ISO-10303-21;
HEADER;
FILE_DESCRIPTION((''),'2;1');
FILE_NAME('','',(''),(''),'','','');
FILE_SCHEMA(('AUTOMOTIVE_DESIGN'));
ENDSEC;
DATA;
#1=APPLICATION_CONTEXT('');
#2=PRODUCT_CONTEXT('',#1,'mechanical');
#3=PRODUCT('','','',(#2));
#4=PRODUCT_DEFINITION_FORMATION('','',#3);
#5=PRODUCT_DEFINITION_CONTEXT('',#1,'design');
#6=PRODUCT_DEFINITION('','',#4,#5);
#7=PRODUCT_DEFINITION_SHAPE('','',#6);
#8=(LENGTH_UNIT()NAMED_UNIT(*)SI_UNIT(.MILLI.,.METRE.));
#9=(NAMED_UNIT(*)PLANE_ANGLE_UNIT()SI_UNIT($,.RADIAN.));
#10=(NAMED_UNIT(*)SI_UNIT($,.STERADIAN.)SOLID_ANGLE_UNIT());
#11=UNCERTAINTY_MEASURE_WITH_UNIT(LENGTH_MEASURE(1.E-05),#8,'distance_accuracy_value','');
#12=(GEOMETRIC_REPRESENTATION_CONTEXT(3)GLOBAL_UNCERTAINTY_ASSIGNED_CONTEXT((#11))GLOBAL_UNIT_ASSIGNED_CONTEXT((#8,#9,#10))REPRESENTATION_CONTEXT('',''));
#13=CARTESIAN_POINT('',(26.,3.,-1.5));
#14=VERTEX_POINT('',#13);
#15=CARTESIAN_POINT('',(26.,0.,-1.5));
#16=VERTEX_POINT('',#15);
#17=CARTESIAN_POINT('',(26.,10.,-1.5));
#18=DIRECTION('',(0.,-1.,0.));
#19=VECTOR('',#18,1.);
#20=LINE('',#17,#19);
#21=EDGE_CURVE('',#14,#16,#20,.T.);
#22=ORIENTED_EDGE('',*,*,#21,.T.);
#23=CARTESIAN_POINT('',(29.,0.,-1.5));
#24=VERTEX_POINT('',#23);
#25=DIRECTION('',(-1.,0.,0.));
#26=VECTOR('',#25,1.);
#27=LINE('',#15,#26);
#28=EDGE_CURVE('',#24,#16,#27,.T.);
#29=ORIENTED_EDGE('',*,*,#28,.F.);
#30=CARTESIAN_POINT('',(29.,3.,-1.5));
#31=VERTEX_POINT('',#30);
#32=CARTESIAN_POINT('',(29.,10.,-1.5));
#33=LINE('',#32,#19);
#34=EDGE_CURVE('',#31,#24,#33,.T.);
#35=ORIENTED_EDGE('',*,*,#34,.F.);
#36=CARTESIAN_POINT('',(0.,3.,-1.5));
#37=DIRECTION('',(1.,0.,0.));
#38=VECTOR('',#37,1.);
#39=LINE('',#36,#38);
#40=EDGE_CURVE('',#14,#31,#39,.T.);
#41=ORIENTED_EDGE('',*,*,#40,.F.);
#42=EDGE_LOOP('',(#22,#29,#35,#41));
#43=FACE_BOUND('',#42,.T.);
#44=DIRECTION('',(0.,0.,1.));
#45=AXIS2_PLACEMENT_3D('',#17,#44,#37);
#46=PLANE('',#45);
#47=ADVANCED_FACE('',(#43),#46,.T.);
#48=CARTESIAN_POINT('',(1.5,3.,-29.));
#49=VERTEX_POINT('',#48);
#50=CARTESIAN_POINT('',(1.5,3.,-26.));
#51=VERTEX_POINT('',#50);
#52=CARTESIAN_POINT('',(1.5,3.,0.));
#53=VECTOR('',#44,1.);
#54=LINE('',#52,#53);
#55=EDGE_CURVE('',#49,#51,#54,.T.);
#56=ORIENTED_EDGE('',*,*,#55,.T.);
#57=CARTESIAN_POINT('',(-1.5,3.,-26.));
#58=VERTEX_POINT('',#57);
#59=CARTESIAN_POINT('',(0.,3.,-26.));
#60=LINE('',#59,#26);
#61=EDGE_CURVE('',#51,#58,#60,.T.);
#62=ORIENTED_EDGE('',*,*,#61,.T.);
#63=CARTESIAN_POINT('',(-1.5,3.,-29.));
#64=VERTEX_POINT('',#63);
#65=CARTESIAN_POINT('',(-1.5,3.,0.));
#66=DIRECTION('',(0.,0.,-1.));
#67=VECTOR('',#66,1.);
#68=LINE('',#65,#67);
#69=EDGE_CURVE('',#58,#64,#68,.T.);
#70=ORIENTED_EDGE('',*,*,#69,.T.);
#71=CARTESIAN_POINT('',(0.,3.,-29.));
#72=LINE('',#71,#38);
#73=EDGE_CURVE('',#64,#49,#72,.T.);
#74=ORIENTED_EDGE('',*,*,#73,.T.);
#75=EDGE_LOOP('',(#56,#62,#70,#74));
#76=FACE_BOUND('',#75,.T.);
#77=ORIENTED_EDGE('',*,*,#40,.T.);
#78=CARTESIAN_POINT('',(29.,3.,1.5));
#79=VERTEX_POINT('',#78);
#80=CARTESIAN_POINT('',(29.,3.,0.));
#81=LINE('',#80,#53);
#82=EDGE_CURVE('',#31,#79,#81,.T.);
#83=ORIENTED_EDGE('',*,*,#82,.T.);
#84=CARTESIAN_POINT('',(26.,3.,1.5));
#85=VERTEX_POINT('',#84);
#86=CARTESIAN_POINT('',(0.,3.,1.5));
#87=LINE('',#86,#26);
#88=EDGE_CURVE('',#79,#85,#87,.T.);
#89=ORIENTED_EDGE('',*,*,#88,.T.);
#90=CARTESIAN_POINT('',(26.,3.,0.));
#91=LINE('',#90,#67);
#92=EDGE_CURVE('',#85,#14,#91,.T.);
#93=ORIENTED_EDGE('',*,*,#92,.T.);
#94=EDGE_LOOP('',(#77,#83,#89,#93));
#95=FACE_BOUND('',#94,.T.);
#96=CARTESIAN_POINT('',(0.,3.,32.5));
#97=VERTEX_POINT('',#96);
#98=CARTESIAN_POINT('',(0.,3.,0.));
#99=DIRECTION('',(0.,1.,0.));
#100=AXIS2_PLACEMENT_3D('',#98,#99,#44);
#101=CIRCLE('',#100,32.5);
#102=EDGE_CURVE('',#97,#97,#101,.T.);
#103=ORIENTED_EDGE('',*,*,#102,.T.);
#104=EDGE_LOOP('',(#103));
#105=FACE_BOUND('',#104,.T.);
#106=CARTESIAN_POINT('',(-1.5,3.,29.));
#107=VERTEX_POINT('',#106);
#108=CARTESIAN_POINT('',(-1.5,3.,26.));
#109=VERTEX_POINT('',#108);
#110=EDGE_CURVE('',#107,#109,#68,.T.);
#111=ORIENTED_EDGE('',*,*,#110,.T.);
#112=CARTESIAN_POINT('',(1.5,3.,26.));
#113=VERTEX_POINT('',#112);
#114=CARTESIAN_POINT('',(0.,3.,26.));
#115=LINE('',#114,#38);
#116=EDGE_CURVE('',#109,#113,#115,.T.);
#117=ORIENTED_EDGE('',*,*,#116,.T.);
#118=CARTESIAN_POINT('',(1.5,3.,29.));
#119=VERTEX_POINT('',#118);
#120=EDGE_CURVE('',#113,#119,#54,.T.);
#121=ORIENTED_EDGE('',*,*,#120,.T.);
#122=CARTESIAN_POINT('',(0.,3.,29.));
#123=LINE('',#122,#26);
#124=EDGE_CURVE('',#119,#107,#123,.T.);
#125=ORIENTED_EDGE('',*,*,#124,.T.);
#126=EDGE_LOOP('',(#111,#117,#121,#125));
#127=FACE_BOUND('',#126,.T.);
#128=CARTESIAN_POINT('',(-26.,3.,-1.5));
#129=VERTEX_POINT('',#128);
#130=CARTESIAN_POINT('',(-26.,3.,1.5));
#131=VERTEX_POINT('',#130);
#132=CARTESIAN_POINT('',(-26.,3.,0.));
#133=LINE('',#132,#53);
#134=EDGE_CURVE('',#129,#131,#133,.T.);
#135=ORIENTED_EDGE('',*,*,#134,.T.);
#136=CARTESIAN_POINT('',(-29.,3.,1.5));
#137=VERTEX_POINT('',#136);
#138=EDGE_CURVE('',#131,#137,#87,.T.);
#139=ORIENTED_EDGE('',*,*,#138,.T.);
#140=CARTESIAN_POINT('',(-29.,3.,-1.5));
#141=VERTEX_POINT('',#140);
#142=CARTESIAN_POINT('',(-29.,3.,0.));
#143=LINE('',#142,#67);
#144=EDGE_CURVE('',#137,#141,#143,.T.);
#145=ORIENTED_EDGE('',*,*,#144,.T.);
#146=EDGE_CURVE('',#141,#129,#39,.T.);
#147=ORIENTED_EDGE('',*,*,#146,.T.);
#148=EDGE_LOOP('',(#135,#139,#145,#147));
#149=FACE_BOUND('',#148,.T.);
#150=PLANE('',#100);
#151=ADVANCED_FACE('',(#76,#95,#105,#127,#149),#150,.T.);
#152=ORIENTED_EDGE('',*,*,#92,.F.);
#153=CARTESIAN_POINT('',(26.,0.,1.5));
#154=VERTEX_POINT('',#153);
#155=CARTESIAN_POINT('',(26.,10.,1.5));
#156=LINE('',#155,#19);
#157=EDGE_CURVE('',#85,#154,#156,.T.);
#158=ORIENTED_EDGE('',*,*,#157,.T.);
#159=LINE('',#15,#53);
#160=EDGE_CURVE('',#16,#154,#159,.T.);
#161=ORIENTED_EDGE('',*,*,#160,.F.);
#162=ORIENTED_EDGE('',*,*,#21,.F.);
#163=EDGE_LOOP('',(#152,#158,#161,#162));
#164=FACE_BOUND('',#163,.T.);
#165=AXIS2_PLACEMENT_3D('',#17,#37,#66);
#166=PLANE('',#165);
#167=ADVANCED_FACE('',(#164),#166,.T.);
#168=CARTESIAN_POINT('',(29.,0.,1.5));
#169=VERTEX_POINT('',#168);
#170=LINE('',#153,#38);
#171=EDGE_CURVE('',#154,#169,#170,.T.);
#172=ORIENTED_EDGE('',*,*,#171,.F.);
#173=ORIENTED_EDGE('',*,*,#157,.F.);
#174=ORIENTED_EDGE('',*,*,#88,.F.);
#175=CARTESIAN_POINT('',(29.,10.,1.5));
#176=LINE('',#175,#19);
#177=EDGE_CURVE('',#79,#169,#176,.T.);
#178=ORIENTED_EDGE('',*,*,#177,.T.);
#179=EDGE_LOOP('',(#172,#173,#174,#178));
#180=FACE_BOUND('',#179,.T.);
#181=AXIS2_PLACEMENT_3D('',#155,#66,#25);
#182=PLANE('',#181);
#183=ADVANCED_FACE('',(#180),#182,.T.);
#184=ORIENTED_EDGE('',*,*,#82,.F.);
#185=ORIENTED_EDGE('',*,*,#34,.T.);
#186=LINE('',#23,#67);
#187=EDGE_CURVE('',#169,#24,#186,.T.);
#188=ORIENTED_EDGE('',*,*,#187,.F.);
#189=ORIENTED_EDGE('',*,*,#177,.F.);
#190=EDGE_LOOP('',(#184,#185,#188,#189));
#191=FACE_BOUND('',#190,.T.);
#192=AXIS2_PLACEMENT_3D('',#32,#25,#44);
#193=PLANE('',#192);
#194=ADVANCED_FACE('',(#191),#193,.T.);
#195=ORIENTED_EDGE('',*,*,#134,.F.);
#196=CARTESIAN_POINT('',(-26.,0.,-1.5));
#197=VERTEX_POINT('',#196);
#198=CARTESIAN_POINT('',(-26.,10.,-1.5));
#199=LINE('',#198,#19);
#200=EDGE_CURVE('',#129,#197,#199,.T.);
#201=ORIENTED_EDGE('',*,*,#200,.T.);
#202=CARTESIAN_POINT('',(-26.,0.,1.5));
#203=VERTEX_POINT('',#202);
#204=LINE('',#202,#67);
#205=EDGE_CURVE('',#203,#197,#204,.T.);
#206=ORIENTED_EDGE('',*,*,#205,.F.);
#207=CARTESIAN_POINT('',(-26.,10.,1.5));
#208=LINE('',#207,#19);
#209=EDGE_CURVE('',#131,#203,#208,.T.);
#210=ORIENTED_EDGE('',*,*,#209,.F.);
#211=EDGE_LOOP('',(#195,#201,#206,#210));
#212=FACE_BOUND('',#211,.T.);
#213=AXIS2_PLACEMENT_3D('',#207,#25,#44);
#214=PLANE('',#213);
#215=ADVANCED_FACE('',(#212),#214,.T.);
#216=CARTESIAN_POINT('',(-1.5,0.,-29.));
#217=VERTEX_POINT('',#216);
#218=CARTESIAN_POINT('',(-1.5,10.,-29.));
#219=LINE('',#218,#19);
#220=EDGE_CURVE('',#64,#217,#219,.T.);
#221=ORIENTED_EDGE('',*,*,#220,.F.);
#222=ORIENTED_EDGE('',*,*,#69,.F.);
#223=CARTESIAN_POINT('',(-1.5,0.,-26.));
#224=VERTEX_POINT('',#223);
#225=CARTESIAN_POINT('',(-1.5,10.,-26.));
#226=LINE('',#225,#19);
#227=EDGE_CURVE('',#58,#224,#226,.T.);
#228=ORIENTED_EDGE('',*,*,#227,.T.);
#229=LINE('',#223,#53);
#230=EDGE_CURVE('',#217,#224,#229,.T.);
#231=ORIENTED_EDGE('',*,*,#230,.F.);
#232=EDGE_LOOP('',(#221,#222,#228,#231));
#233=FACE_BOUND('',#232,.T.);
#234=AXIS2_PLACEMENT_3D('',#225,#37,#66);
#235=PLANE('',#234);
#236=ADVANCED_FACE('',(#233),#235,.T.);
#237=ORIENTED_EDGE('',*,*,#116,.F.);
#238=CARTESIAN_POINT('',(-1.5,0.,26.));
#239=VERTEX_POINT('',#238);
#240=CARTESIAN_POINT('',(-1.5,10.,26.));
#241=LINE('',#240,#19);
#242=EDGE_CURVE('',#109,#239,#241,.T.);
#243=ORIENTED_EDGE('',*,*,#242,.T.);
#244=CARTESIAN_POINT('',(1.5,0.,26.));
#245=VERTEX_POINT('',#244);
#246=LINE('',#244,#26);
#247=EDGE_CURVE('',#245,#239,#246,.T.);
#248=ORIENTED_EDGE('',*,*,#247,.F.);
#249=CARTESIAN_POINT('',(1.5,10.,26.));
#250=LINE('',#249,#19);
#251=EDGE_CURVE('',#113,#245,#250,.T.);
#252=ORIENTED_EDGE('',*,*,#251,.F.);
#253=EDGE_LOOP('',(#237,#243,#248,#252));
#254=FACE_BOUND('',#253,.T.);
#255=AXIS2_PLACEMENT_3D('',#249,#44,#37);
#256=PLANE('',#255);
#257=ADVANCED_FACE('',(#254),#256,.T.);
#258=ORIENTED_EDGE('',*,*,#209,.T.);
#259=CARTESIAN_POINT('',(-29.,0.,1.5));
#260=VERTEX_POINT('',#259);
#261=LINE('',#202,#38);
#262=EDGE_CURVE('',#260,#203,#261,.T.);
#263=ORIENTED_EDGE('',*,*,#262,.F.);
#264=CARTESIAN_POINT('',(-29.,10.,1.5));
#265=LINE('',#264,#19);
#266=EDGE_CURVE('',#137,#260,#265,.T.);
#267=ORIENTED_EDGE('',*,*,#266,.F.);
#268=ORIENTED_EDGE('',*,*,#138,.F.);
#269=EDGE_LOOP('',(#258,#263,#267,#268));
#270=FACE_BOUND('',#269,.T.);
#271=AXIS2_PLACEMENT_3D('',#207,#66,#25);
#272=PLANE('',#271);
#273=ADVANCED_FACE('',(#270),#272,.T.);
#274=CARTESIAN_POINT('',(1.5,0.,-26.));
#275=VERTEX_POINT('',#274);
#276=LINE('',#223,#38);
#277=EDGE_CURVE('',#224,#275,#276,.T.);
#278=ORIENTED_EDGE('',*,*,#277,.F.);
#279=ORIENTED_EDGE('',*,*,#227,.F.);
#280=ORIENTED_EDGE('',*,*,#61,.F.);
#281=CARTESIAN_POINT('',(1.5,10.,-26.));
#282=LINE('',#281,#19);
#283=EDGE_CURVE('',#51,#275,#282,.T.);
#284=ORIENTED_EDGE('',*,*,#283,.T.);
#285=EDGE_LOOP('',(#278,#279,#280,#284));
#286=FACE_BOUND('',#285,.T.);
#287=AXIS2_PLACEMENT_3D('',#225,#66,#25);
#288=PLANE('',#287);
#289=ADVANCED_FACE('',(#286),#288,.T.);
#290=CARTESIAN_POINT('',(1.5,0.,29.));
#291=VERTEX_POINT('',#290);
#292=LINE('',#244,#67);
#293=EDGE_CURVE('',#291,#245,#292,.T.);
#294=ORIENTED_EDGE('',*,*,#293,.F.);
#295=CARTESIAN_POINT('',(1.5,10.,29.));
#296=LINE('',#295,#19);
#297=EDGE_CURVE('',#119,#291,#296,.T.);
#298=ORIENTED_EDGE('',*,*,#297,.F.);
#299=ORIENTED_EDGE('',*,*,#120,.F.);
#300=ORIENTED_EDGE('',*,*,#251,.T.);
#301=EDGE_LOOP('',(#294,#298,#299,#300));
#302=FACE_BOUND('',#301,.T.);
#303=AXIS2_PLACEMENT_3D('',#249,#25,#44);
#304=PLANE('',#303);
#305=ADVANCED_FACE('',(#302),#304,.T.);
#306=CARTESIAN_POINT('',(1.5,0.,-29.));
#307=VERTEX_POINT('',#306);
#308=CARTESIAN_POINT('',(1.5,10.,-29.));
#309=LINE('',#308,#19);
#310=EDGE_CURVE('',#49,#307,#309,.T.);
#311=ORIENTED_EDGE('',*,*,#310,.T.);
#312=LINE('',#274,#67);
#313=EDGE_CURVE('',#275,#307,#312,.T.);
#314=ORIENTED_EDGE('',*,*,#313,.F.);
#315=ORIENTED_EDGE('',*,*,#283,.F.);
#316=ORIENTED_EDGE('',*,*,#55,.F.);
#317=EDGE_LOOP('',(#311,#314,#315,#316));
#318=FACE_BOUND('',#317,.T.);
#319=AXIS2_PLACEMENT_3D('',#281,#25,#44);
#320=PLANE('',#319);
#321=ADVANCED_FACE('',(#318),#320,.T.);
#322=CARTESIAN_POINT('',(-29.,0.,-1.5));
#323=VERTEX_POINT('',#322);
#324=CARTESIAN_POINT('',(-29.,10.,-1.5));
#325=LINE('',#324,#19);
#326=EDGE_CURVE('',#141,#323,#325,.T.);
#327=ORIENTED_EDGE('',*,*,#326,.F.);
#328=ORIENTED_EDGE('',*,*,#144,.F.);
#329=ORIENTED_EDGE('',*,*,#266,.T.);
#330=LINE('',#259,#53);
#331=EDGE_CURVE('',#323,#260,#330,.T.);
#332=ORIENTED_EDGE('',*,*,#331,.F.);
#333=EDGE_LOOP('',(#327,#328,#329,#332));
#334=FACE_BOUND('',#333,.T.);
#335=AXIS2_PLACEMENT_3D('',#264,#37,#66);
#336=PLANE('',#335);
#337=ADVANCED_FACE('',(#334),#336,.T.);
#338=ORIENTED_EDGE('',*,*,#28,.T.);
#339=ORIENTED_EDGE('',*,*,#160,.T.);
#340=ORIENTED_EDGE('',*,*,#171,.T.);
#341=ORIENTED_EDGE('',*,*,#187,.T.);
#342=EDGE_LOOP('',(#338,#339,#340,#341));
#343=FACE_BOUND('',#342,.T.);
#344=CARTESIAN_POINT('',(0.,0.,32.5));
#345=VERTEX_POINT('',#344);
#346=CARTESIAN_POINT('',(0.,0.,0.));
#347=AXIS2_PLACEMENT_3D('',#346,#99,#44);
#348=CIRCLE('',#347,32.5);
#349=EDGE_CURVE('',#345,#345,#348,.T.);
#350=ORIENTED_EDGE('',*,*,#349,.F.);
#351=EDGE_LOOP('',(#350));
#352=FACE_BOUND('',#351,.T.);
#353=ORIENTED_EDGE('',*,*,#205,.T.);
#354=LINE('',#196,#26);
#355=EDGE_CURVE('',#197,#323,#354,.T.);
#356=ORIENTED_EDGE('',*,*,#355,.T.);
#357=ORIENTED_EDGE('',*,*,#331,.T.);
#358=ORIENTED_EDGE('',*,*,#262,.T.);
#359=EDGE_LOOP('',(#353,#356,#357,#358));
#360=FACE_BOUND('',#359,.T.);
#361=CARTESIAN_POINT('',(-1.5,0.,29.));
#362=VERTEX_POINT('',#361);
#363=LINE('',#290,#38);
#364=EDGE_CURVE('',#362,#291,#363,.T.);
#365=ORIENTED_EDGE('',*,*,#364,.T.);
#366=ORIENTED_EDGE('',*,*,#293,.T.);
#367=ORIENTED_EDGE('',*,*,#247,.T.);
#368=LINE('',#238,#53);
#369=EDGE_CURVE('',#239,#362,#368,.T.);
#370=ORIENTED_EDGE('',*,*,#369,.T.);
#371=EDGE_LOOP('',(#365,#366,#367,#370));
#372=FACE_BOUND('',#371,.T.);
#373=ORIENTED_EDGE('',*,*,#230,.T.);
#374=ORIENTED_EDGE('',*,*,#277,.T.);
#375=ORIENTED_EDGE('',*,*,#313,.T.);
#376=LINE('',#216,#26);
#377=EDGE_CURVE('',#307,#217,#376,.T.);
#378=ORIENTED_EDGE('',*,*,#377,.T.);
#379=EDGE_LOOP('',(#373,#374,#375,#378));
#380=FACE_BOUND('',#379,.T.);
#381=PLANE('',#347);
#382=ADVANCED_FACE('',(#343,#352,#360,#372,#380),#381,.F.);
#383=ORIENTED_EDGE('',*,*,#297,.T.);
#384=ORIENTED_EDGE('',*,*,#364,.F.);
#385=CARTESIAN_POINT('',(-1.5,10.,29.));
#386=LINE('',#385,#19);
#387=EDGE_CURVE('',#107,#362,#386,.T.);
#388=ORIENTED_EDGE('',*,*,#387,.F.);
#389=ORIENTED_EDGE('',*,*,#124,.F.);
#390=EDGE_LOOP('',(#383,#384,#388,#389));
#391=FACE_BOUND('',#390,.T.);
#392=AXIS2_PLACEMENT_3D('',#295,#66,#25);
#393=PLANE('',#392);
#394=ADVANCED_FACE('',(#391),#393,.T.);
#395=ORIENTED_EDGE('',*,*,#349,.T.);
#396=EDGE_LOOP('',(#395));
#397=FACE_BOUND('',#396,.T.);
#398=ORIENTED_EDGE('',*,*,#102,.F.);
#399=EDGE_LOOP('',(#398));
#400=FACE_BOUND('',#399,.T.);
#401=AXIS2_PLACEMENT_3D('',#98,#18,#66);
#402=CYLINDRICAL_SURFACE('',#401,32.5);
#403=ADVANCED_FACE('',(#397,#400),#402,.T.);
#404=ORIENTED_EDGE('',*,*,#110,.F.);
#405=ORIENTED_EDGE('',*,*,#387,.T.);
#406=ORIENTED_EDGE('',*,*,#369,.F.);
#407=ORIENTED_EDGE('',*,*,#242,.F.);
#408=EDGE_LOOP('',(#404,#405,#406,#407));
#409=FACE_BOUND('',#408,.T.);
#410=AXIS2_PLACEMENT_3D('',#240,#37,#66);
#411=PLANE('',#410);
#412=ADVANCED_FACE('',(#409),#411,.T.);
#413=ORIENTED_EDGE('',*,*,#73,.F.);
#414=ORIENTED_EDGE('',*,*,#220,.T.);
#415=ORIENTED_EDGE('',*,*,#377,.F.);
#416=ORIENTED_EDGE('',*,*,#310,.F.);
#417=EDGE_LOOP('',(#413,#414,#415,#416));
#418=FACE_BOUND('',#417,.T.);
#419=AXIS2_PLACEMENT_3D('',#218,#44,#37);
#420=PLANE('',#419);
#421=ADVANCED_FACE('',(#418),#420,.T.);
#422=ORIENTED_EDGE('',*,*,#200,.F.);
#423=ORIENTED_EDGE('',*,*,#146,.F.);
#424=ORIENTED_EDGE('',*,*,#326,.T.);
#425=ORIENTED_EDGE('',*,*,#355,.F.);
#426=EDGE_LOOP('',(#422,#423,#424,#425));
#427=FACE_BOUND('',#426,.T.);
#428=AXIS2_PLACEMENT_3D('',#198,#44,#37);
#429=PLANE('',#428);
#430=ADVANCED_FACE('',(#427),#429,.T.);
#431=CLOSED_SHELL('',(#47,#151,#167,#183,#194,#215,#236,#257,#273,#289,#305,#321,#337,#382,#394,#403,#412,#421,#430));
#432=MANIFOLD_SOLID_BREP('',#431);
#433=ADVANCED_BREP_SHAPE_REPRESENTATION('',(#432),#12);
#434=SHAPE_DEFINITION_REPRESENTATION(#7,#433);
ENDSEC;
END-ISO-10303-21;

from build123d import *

# Parameters (mm, degrees)
SKETCH1_R           = 32.5
BOSS_EXTRUDE1_DEPTH = 3
SKETCH3_W           = 3
SKETCH3_H           = 3
CUT_EXTRUDE4_DEPTH  = 10


with BuildPart() as part:
    # Sketch1 → Boss-Extrude1 (new body)
    with BuildSketch(Plane(origin=(0, 0, 0), x_dir=(1, 0, 0), z_dir=(0, 1, 0))):
        with Locations(Location((0, 0, 0), (0, 0, 270))):
            Circle(SKETCH1_R)
    extrude(amount=BOSS_EXTRUDE1_DEPTH)

    # Sketch3 → Cut-Extrude4 (cut)
    with BuildSketch(Plane(origin=(0, 0, 0), x_dir=(1, 0, 0), z_dir=(0, 1, 0))):
        with Locations((27.5, 0)):
            Rectangle(SKETCH3_W, SKETCH3_H)
        with Locations((0, 27.5)):
            Rectangle(SKETCH3_W, SKETCH3_H)
        with Locations((0, -27.5)):
            Rectangle(SKETCH3_W, SKETCH3_H)
        with Locations((-27.5, 0)):
            Rectangle(SKETCH3_W, SKETCH3_H)
    extrude(amount=CUT_EXTRUDE4_DEPTH, mode=Mode.SUBTRACT)


solid = part.part
